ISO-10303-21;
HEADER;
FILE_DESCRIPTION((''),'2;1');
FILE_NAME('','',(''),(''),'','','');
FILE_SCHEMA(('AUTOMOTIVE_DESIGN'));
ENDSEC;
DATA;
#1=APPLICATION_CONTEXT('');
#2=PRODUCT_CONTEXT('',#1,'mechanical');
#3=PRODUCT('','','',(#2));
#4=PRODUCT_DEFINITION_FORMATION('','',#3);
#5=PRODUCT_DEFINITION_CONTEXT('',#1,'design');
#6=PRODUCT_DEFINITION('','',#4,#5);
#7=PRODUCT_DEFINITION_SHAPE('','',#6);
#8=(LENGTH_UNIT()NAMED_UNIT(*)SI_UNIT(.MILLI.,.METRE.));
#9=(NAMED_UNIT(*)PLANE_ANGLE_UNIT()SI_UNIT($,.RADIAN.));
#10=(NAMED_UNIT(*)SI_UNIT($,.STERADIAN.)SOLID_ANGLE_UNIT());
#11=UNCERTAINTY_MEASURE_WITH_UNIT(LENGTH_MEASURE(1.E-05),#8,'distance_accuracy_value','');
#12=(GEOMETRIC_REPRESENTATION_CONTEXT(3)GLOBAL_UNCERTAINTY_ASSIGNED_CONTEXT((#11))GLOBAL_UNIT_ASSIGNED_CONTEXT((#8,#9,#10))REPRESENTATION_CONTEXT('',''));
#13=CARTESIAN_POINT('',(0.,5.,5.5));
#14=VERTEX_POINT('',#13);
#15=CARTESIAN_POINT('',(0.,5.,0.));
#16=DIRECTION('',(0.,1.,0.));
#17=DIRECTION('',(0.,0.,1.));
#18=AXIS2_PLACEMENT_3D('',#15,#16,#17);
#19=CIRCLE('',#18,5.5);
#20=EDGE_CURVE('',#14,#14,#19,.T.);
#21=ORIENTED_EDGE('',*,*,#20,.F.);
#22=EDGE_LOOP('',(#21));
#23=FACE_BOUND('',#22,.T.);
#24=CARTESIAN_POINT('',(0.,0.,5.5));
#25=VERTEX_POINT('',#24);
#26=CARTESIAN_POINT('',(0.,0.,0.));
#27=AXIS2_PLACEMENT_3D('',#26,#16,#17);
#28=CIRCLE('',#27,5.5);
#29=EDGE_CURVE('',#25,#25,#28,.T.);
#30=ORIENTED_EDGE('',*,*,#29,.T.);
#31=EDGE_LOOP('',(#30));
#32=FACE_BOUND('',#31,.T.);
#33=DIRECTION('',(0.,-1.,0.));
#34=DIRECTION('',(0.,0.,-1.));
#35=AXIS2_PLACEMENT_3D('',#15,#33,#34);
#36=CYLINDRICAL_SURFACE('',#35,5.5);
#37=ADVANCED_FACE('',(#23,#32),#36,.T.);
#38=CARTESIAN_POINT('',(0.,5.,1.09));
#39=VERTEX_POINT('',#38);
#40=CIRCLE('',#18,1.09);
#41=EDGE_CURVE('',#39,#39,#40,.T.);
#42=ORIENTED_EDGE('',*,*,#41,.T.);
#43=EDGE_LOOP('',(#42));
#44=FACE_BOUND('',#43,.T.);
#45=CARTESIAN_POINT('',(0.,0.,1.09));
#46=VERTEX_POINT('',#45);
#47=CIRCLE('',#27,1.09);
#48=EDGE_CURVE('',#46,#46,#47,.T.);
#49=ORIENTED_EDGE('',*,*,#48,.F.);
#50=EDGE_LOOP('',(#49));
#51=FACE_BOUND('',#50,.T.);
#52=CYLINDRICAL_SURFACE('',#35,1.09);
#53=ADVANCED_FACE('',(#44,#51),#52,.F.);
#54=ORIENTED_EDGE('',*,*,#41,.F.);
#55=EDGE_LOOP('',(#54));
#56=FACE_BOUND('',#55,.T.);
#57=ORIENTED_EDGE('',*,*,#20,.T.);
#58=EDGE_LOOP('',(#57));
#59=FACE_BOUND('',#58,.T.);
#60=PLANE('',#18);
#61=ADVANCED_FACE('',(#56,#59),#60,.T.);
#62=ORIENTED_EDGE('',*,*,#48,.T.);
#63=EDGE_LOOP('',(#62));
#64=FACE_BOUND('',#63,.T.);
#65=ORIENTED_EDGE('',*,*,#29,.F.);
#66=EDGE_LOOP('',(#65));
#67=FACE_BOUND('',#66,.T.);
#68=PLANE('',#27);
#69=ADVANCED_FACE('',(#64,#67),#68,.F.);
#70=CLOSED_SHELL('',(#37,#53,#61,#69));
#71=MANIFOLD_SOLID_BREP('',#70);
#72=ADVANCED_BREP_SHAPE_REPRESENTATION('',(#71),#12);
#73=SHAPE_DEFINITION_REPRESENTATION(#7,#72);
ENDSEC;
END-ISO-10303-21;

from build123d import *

# Parameters (mm, degrees)
SKETCH1_R           = 5.5
SKETCH1_R_2         = 1.09
BOSS_EXTRUDE1_DEPTH = 5


with BuildPart() as part:
    # Sketch1 → Boss-Extrude1 (new body)
    with BuildSketch(Plane(origin=(0, 0, 0), x_dir=(1, 0, 0), z_dir=(0, 1, 0))):
        with Locations(Location((0, 0, 0), (0, 0, 270))):
            Circle(SKETCH1_R)
        with Locations(Location((0, 0, 0), (0, 0, 270))):
            Circle(SKETCH1_R_2, mode=Mode.SUBTRACT)
    extrude(amount=BOSS_EXTRUDE1_DEPTH)


solid = part.part
